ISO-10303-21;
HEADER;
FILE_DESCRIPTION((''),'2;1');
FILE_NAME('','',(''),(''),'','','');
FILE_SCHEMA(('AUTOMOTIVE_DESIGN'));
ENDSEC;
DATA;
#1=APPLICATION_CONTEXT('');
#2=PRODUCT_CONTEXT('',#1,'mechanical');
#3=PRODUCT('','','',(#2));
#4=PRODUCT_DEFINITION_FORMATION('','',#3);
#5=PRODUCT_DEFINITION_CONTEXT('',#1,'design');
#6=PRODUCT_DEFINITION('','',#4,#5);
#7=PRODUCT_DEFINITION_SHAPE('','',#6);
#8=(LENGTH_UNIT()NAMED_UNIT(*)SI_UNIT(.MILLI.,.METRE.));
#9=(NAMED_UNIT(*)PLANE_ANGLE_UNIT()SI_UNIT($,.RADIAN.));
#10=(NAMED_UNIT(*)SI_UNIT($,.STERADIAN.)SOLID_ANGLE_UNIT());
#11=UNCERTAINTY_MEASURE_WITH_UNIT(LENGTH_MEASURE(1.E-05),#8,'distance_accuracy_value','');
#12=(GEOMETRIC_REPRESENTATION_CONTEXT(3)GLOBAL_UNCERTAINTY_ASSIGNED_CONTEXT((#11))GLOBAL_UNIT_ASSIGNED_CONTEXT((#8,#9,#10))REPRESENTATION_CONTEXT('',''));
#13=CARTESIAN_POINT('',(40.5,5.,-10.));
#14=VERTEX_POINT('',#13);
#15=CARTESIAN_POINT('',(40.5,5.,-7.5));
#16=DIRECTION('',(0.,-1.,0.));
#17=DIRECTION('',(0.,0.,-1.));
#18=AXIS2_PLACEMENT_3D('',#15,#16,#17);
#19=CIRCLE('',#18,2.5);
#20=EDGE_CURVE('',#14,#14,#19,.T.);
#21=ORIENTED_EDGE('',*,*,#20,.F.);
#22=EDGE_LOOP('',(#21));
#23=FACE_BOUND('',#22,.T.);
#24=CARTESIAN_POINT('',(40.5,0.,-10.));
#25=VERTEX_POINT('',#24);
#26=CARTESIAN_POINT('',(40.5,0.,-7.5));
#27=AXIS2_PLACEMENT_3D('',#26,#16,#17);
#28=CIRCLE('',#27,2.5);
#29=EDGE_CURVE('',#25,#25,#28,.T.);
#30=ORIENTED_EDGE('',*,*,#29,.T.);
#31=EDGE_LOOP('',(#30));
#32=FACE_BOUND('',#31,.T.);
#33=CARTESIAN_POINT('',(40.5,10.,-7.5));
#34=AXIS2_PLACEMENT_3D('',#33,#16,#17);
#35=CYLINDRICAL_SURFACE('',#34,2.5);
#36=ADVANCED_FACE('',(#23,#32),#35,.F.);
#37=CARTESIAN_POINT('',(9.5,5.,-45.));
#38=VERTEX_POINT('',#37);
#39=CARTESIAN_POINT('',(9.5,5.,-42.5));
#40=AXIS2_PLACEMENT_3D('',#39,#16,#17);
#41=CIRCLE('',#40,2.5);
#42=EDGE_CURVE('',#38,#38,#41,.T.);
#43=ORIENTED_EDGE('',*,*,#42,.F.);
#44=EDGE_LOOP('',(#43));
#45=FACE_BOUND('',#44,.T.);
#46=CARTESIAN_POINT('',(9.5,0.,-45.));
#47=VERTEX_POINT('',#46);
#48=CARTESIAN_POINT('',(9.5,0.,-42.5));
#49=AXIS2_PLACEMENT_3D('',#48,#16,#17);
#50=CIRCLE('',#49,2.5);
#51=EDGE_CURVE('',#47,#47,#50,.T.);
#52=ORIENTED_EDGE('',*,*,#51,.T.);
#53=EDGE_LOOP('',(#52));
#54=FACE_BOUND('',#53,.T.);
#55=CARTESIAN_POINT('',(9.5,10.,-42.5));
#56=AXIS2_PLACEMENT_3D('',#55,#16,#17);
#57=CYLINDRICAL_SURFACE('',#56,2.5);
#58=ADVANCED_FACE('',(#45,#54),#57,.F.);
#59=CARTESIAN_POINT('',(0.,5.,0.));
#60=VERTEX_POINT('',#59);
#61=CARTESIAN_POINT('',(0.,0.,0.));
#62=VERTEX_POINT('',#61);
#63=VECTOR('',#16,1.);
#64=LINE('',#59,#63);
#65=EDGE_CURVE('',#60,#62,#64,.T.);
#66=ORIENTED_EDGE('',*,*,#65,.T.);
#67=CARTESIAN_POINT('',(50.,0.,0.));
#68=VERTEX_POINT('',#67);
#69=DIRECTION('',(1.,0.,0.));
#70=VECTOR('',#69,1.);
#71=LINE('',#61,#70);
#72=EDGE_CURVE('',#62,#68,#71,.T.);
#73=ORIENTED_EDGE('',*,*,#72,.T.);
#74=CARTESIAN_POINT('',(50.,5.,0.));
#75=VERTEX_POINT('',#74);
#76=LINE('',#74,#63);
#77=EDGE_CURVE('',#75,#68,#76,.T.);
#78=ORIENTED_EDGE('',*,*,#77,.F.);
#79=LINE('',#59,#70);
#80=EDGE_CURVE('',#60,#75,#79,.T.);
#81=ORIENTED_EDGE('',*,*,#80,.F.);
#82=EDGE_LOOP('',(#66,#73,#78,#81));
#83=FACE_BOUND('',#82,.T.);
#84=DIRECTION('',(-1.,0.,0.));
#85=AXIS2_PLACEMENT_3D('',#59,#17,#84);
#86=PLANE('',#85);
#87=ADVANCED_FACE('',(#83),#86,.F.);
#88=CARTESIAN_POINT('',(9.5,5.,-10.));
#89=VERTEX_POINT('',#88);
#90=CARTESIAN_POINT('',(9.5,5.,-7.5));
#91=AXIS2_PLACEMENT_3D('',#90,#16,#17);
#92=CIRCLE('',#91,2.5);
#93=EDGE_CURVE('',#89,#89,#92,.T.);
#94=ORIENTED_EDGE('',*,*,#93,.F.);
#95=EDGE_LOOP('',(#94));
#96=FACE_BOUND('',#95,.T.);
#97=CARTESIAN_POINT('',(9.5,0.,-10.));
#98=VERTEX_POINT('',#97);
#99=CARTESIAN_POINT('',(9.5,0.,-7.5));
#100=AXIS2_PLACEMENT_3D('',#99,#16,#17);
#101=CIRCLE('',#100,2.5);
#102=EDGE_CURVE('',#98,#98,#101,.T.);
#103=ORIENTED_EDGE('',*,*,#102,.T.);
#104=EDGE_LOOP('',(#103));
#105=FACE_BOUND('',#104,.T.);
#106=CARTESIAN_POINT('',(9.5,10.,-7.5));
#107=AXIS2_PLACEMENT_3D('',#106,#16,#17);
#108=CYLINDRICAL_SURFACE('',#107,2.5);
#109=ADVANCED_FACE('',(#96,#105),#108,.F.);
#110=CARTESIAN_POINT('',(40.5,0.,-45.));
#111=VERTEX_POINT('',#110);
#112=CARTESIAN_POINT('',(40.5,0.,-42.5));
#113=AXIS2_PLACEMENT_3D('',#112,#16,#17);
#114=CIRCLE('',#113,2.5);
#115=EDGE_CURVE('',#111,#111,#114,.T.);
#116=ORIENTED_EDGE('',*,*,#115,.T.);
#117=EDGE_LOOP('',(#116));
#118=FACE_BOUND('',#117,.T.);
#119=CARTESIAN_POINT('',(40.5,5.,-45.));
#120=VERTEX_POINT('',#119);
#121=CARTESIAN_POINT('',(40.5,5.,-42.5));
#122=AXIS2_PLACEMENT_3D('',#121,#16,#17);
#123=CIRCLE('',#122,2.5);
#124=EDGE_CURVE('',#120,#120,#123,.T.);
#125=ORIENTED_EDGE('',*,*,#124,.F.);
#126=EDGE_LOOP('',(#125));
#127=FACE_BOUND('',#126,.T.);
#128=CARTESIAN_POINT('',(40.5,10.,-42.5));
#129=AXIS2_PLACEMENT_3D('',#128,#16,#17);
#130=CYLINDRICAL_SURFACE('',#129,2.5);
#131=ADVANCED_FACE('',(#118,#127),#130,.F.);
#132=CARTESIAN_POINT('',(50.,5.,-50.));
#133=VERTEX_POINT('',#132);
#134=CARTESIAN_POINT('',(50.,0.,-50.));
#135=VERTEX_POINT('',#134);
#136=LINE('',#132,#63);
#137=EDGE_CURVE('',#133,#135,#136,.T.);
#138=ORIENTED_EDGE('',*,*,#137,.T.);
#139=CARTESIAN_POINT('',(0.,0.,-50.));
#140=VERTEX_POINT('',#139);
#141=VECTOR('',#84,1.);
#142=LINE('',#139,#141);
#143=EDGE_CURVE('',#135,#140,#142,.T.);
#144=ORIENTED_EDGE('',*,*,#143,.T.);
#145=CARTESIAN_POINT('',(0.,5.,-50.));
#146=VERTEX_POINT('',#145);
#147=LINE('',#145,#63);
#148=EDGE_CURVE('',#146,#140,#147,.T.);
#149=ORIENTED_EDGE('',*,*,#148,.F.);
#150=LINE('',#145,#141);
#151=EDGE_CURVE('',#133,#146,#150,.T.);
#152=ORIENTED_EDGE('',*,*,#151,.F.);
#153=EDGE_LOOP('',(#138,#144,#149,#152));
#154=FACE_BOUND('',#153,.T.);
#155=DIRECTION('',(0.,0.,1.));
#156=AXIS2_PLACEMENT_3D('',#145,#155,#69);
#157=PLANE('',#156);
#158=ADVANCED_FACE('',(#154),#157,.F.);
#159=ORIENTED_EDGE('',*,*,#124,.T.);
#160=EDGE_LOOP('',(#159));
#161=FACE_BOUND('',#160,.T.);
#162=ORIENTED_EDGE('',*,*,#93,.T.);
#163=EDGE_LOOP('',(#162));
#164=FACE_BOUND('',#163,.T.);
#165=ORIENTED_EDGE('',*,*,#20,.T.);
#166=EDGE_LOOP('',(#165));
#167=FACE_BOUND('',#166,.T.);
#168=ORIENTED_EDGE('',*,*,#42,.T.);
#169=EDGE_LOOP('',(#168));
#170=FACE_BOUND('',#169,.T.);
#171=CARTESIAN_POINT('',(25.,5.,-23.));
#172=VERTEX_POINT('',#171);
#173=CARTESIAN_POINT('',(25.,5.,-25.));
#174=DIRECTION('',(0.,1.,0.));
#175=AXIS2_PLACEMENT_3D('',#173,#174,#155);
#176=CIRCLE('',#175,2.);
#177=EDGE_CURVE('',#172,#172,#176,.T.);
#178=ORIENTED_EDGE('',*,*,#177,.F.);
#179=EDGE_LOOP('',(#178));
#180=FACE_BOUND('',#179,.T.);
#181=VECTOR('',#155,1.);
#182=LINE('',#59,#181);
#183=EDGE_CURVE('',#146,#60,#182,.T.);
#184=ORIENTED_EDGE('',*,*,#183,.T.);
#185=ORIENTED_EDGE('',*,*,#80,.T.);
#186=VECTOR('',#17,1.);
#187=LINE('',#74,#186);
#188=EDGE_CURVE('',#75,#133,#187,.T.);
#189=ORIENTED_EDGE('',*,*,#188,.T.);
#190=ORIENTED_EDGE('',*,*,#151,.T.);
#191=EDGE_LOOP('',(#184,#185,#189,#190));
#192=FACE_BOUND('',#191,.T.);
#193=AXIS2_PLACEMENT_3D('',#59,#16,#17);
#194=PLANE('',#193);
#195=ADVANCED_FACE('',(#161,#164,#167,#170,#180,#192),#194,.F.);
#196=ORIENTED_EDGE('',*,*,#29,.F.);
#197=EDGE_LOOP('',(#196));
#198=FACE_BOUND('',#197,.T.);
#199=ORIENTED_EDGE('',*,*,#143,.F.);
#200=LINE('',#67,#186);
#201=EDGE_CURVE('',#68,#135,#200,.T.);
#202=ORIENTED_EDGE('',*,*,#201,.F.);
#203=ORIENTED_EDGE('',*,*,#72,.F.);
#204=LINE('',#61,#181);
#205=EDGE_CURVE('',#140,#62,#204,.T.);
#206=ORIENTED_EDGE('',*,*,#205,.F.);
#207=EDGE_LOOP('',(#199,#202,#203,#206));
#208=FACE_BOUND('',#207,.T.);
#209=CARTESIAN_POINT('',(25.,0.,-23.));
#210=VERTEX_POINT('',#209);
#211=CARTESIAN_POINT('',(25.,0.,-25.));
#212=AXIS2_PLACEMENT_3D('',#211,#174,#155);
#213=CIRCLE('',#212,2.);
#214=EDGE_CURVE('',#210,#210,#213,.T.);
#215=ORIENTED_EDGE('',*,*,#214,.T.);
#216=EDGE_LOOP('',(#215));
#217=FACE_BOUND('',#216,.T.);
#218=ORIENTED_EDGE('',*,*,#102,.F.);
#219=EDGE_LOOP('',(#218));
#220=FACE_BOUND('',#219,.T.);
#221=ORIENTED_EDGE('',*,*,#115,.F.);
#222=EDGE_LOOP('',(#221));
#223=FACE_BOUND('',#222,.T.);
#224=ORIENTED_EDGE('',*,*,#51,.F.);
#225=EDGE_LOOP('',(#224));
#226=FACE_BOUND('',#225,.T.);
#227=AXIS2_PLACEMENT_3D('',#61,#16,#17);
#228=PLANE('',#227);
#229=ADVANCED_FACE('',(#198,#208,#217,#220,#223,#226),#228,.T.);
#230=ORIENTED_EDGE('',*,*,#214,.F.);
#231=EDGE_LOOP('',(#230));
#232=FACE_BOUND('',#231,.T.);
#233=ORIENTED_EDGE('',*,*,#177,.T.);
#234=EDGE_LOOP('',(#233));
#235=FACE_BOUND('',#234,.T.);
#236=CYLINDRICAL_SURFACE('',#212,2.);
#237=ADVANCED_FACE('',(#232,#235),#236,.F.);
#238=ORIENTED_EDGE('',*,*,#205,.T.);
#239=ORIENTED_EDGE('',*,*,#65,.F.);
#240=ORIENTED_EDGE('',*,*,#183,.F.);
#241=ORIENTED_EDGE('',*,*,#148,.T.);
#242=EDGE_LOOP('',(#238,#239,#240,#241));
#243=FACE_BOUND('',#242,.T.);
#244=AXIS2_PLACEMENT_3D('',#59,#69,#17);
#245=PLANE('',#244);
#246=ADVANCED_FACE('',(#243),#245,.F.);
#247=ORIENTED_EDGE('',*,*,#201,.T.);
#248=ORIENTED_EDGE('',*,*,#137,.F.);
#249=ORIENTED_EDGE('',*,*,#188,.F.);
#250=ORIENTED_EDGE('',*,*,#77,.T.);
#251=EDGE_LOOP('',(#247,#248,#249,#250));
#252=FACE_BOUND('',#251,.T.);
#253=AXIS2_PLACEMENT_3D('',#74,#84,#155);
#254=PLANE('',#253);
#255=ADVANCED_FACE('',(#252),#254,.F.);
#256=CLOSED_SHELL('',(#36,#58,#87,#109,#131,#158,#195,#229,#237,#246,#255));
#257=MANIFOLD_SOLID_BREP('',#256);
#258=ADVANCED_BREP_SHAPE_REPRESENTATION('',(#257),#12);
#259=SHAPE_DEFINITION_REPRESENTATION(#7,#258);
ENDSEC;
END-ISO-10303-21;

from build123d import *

# Parameters (mm, degrees)
SKETCH1_W           = 50
SKETCH1_H           = 50
BOSS_EXTRUDE1_DEPTH = 5
SKETCH2_R           = 2
CUT_EXTRUDE1_DEPTH  = 5
SKETCH3_R           = 2.5
CUT_EXTRUDE2_DEPTH  = 10


with BuildPart() as part:
    # Sketch1 → Boss-Extrude1 (new body)
    with BuildSketch(Plane(origin=(0, 0, 0), x_dir=(1, 0, 0), z_dir=(0, 1, 0))):
        with Locations((25, 25)):
            Rectangle(SKETCH1_W, SKETCH1_H)
    extrude(amount=BOSS_EXTRUDE1_DEPTH)

    # Sketch2 → Cut-Extrude1 (cut)
    with BuildSketch(Plane(origin=(0, 5, 0), x_dir=(1, 0, 0), z_dir=(0, 1, 0))):
        with Locations(Location((25, 25, 0), (0, 0, 270))):
            Circle(SKETCH2_R)
    extrude(amount=-CUT_EXTRUDE1_DEPTH, mode=Mode.SUBTRACT)

    # Sketch3 → Cut-Extrude2 (cut)
    with BuildSketch(Plane.XZ):
        with Locations(Location((40.5, -42.5, 0), (0, 0, 270))):
            Circle(SKETCH3_R)
        with Locations(Location((9.5, -42.5, 0), (0, 0, 270))):
            Circle(SKETCH3_R)
        with Locations(Location((9.5, -7.5, 0), (0, 0, 270))):
            Circle(SKETCH3_R)
        with Locations(Location((40.5, -7.5, 0), (0, 0, 270))):
            Circle(SKETCH3_R)
    extrude(amount=-CUT_EXTRUDE2_DEPTH, mode=Mode.SUBTRACT)


solid = part.part
